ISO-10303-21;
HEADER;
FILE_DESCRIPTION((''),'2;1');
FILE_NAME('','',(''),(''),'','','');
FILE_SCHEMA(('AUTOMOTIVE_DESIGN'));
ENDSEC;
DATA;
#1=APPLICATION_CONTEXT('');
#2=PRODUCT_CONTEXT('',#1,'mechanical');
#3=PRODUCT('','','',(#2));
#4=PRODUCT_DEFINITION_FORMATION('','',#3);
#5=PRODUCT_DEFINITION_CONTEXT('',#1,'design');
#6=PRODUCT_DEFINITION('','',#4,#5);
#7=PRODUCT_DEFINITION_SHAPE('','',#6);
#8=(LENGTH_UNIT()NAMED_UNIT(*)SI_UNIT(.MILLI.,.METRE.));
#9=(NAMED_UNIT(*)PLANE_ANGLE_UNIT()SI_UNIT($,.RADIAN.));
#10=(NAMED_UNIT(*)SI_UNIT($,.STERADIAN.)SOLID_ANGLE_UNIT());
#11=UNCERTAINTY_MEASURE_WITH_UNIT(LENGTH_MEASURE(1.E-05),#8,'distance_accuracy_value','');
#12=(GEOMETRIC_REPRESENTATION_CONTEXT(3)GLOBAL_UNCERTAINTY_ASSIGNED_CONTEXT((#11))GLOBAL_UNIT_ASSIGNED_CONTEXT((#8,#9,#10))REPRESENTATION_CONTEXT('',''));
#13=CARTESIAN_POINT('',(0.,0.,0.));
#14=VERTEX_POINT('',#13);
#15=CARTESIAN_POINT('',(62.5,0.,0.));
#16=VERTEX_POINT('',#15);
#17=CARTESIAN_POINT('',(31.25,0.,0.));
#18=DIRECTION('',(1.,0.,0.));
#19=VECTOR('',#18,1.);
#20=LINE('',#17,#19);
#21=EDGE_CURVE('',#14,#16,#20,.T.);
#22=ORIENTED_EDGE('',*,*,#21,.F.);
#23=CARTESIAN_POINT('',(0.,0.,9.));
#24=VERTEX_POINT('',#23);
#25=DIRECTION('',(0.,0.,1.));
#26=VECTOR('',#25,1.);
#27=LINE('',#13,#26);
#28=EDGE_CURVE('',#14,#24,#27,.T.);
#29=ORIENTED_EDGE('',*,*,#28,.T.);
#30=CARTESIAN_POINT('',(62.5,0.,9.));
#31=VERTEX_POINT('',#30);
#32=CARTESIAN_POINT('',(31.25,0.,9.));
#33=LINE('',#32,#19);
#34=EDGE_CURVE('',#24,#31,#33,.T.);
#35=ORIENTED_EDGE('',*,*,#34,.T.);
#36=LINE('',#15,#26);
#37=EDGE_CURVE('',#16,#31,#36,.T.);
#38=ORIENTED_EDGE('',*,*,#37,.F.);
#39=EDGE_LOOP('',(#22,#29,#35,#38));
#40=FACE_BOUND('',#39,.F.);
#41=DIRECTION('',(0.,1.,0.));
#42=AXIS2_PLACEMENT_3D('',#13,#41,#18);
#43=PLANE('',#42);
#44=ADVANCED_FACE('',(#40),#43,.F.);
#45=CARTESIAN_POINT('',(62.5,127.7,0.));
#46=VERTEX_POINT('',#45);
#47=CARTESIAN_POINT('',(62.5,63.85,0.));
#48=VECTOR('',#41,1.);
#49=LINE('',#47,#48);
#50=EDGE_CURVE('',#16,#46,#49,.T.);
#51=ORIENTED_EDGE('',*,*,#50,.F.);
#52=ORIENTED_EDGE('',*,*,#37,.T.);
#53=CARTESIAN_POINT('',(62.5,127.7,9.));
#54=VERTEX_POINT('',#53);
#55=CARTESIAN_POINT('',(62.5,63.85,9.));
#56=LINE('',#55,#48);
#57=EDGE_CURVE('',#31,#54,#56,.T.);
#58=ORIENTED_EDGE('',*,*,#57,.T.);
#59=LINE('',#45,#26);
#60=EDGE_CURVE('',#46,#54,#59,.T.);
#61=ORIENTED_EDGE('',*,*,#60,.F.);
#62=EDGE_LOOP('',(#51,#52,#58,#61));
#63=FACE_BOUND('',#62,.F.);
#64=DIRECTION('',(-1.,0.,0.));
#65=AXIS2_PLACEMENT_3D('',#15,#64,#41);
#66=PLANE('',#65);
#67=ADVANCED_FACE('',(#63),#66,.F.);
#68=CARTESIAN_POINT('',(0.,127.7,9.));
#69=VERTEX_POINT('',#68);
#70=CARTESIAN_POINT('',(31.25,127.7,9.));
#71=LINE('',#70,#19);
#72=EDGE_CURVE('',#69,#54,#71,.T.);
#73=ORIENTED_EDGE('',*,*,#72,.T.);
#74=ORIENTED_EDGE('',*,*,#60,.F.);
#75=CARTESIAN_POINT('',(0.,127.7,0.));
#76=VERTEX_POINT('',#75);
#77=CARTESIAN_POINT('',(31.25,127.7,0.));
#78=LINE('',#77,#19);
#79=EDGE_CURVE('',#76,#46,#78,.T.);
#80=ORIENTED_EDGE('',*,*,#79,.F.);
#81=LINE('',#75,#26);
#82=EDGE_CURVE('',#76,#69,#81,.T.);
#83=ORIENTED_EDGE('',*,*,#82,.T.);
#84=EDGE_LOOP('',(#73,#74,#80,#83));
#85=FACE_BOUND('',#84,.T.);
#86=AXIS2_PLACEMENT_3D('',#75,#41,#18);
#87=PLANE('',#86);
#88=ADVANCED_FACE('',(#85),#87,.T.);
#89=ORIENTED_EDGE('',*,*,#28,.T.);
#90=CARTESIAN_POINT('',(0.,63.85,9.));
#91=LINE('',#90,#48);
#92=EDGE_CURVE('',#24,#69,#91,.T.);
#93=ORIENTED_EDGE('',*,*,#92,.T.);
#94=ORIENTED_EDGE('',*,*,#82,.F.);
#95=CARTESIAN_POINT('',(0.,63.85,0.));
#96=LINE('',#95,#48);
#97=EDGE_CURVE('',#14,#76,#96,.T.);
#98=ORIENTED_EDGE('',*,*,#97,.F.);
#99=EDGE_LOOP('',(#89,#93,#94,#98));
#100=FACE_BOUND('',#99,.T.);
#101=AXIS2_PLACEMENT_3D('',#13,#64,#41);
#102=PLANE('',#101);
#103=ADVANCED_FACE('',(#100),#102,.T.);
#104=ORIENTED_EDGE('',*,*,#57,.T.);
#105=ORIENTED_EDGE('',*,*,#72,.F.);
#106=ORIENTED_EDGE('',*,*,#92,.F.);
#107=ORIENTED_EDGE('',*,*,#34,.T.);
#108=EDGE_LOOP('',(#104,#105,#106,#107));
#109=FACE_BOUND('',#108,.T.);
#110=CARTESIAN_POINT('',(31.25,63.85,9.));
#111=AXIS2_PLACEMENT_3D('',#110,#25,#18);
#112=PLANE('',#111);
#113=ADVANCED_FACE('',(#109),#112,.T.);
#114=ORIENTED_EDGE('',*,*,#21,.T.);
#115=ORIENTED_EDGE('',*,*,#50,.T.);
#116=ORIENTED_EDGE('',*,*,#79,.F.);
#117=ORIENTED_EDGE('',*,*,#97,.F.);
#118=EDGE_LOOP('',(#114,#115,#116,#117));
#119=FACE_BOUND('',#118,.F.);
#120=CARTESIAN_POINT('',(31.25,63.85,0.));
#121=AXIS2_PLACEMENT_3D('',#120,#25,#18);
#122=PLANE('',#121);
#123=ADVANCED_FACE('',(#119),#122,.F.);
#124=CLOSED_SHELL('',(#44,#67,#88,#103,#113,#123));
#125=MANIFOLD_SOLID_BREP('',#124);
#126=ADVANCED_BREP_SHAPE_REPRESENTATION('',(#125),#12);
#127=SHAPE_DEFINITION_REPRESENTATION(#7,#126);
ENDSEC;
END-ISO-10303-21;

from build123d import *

# Parameters (mm, degrees)
F0_W     = 62.5
F0_H     = 127.7
F0_W_2   = 58.5
F0_H_2   = 123.7
F1_DEPTH = 9


with BuildPart() as f1:
    # F0 (on Top) → F1 (new body)
    with BuildSketch(Plane.XY):
        with Locations((31.25, 63.85)):
            Rectangle(F0_W, F0_H)
        with Locations((31.25, 63.85)):
            Rectangle(F0_W_2, F0_H_2, mode=Mode.SUBTRACT)
        with Locations((31.25, 63.85)):
            Rectangle(F0_W_2, F0_H_2)
    extrude(amount=F1_DEPTH)


solid = f1.part
